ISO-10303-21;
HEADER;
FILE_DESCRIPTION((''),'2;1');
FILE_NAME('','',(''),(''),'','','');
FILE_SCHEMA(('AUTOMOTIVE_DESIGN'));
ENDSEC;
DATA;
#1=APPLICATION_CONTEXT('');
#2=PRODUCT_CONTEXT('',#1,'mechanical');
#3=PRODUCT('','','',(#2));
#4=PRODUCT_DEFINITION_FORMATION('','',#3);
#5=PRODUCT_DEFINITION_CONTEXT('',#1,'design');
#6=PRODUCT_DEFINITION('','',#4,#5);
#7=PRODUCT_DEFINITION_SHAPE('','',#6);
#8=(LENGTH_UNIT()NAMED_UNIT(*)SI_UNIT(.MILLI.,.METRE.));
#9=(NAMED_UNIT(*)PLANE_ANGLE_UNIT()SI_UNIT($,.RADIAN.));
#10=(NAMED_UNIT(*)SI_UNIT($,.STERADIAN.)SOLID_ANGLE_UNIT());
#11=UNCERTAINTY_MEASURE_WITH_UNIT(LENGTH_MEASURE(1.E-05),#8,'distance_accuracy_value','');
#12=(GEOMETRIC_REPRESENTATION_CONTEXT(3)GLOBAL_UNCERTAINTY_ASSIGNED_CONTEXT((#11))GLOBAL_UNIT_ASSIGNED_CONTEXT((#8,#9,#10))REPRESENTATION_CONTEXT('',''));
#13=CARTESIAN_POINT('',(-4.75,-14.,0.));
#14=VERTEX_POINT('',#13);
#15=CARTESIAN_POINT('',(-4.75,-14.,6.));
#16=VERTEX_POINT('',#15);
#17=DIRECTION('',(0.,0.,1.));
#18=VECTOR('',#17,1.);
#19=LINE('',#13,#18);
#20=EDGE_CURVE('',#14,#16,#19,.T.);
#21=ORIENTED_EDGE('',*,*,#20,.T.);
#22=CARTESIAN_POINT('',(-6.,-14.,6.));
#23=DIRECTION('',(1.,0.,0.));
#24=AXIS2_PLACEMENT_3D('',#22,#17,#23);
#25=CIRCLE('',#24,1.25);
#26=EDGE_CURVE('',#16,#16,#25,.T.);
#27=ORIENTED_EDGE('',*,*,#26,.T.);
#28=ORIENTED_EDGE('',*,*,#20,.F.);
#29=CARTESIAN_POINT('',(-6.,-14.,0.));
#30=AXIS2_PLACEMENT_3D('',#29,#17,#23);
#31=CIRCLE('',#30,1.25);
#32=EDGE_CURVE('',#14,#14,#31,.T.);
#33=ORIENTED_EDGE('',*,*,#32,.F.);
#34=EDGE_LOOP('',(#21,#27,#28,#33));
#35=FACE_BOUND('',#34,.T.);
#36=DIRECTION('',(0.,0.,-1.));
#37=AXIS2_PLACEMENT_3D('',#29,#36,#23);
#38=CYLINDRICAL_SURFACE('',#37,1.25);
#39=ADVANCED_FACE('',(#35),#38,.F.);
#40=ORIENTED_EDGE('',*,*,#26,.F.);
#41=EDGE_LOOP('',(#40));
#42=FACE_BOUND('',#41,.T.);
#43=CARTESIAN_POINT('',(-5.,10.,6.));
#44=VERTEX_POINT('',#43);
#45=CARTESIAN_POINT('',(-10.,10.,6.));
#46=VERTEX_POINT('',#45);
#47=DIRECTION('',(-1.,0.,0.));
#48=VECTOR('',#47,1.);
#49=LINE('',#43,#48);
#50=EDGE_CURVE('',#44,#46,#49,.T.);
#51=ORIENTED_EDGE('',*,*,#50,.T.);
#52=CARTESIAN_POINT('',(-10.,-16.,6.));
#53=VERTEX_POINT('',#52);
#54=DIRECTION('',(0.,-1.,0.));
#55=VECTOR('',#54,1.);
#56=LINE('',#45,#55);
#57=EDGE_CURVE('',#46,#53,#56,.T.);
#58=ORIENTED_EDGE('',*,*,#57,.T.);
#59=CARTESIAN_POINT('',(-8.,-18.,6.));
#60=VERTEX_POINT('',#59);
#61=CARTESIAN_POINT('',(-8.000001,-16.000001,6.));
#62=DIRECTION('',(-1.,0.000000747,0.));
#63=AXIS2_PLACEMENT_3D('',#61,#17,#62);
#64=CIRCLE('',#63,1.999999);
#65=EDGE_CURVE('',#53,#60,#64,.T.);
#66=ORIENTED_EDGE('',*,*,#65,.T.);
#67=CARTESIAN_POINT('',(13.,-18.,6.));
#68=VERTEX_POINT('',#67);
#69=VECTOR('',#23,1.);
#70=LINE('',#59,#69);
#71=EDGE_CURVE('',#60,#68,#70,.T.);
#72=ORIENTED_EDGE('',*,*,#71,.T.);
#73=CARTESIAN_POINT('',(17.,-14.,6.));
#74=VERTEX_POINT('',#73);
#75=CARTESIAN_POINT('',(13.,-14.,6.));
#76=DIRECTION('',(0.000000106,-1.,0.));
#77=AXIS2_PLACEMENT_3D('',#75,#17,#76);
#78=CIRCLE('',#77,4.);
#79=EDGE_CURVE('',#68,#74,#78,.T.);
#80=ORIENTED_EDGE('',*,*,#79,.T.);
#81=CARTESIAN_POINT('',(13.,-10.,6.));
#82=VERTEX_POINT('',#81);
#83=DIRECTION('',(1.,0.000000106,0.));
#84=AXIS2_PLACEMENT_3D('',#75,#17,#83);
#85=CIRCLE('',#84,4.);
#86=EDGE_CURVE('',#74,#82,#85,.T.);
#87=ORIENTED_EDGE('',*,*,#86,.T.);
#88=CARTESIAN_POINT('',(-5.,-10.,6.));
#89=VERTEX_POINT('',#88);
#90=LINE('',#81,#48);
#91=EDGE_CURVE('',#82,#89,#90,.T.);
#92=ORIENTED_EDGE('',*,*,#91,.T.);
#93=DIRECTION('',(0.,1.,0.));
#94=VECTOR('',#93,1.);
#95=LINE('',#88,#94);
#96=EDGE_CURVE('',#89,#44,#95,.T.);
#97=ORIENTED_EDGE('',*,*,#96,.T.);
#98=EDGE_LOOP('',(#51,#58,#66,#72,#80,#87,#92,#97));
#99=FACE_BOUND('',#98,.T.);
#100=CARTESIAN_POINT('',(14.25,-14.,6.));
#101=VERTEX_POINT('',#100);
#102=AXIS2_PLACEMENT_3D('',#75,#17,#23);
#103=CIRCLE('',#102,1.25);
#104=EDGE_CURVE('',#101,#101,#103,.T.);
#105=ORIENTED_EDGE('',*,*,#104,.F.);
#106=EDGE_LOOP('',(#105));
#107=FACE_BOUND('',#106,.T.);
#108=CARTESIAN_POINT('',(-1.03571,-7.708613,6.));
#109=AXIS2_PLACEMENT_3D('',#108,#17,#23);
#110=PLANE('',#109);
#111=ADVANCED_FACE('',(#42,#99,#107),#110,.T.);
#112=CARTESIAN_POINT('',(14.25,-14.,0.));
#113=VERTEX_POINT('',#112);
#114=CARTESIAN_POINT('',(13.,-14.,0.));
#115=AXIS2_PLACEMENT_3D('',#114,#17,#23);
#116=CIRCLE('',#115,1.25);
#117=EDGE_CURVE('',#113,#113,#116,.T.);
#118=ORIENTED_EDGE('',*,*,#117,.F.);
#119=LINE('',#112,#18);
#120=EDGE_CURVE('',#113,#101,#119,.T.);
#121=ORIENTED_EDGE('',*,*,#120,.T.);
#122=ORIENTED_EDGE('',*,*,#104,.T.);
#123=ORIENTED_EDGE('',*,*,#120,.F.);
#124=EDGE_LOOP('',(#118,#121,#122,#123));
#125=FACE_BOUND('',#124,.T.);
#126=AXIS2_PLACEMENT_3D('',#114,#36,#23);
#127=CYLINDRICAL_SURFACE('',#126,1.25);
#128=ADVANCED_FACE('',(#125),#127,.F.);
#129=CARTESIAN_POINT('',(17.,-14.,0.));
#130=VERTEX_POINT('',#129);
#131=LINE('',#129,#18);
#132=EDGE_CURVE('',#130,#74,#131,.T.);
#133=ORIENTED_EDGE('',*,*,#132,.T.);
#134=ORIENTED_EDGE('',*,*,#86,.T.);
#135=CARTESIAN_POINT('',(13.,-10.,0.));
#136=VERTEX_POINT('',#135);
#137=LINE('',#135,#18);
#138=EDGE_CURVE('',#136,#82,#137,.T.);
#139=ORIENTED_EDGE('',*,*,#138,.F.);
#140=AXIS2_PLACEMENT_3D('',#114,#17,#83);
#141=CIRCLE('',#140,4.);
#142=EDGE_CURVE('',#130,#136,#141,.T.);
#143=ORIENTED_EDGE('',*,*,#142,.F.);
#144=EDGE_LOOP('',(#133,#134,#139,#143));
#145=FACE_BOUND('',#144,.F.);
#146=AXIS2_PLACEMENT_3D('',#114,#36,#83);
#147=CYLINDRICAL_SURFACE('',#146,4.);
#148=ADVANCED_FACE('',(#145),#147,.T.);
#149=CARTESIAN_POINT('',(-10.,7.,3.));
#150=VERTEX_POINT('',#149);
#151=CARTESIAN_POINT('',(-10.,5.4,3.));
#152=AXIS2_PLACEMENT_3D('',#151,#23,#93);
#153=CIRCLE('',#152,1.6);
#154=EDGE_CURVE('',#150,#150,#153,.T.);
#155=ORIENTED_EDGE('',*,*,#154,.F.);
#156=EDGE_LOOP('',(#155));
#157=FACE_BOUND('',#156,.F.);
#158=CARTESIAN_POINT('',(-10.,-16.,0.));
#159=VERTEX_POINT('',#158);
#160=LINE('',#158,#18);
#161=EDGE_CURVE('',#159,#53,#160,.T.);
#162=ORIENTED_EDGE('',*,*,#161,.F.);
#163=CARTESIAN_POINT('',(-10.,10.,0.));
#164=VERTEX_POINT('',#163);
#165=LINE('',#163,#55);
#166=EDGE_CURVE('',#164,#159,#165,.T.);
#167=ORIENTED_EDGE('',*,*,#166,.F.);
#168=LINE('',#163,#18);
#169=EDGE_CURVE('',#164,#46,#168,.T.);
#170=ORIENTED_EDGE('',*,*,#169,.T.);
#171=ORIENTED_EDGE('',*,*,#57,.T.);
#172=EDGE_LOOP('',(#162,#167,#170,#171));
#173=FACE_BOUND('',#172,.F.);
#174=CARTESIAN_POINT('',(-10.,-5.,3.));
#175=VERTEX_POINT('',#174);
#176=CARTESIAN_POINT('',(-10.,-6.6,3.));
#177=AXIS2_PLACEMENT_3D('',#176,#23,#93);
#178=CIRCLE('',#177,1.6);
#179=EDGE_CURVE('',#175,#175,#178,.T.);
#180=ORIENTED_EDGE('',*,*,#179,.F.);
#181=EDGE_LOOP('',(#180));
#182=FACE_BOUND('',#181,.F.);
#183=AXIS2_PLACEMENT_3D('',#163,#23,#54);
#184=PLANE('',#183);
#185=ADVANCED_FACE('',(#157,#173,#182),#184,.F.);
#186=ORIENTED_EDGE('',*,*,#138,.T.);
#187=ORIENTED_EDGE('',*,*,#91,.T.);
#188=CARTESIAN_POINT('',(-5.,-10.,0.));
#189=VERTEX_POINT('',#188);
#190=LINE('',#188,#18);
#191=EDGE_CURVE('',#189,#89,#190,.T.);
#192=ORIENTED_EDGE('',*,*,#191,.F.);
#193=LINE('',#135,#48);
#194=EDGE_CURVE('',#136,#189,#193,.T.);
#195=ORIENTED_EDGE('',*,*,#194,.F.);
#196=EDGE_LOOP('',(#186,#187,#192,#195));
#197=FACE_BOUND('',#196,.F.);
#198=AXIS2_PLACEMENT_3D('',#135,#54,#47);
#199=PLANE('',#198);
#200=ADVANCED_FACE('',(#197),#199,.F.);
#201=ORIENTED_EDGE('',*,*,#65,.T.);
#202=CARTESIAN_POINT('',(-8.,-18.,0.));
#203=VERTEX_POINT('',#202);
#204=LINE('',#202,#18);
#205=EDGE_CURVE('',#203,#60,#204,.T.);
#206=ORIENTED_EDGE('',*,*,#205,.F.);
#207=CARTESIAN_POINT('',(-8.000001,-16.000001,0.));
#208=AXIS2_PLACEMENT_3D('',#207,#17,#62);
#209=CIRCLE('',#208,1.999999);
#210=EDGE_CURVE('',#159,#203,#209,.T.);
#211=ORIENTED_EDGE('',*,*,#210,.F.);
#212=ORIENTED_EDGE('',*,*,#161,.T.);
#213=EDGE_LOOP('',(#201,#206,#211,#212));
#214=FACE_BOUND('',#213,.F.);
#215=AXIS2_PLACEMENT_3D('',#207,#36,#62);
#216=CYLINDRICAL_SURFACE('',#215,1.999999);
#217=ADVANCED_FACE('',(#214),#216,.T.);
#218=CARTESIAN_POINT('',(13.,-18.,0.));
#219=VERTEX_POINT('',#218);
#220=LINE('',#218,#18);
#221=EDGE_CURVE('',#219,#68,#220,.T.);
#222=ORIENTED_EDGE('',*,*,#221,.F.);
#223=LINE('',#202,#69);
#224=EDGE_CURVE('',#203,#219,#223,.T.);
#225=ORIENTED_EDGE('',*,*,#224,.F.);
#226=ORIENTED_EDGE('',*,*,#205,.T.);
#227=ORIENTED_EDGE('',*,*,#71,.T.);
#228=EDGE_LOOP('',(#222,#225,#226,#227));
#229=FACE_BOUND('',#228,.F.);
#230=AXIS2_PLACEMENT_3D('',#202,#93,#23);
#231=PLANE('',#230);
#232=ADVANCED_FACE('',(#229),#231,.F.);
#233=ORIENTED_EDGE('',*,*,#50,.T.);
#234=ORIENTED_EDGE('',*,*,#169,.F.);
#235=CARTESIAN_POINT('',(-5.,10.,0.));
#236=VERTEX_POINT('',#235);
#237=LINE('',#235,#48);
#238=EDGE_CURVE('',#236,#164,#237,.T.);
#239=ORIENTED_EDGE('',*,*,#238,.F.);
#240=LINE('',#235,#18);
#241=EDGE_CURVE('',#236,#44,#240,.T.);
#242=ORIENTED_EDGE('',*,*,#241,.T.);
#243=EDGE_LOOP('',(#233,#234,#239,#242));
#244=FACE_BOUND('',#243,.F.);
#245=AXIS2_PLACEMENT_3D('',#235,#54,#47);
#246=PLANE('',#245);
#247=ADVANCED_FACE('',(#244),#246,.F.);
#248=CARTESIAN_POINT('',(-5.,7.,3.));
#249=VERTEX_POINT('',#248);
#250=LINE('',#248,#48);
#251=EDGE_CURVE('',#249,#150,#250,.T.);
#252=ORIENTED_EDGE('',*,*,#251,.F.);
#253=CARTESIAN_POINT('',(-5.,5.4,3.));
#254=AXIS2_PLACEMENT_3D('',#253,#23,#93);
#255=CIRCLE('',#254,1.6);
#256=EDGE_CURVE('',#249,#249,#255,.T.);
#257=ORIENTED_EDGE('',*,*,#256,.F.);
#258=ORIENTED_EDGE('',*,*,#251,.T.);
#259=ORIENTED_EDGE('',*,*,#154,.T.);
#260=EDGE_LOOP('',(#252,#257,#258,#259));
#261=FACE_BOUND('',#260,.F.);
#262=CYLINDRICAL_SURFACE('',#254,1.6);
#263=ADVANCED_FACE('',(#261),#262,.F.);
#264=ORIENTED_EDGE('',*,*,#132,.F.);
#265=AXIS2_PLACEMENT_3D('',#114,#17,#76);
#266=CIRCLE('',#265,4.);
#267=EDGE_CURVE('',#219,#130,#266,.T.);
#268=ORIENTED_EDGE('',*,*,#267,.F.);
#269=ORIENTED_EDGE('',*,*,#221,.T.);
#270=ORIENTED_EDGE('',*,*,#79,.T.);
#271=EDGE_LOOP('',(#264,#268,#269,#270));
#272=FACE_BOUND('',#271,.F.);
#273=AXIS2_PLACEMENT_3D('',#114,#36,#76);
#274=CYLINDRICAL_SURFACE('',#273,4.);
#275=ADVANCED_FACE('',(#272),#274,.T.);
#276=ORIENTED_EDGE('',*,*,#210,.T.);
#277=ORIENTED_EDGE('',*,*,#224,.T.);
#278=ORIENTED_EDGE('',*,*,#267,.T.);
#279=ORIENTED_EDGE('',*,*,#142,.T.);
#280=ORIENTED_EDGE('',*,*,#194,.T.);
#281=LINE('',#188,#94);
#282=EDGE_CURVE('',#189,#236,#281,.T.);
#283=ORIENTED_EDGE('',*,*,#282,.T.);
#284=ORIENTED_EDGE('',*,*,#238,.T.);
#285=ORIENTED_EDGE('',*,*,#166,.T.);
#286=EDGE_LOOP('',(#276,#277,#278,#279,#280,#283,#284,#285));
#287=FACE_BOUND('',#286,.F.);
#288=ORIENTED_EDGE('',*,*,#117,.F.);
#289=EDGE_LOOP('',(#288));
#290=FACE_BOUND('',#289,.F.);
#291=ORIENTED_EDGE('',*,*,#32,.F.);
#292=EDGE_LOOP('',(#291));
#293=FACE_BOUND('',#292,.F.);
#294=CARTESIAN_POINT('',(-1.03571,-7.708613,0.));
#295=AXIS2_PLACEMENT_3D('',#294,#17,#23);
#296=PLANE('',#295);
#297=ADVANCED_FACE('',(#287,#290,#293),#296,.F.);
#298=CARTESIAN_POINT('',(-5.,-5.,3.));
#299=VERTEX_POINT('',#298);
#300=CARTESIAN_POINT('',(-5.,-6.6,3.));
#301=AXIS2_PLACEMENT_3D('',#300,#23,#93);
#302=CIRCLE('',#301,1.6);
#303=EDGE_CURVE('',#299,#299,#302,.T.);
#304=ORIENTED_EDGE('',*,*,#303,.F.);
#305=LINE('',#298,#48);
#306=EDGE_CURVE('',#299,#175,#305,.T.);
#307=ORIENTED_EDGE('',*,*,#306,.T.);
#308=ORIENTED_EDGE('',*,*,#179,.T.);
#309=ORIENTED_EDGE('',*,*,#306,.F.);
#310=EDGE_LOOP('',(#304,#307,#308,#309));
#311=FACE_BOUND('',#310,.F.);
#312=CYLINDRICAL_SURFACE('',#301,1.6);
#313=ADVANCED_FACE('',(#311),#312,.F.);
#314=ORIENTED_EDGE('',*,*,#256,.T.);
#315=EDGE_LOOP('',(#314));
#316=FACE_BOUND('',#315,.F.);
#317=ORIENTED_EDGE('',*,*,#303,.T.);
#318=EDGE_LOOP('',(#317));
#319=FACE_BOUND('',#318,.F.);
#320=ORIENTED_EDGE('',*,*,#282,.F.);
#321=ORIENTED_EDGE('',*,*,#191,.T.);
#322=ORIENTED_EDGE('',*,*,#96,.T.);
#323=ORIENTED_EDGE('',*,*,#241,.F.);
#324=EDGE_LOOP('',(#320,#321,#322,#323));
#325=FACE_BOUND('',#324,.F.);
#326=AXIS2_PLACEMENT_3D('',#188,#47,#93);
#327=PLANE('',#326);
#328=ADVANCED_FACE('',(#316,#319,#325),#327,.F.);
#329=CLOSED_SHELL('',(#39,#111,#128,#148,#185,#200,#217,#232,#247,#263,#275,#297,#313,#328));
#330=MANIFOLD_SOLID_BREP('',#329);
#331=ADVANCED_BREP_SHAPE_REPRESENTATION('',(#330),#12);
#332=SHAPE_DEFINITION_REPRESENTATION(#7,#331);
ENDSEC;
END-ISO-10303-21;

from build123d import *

# Parameters (mm, degrees)
F0_R     = 1.25
F1_DEPTH = 6
F2_R     = 1.6
F3_DEPTH = 5.001


with BuildPart() as f1:
    # F0 (on Top) → F1 (new body)
    with BuildSketch(Plane.XY):
        with BuildLine():
            Line((-2, -10), (-5, -10))
            Line((-5, -10), (-5, 10))
            Line((-5, 10), (-10, 10))
            Line((-10, 10), (-10, -10))
            Line((-10, -10), (-10, -16))
            ThreePointArc((-10, -16), (-9.414214, -17.414214), (-8, -18))
            Line((-8, -18), (2, -18))
            Line((2, -18), (13, -18))
            ThreePointArc((13, -18), (15.828427, -16.828427), (17, -14))
            ThreePointArc((17, -14), (15.828427, -11.171573), (13, -10))
            Line((13, -10), (2, -10))
            Line((2, -10), (-2, -10))
        make_face()
        with Locations((-6, -14)):
            Circle(F0_R, mode=Mode.SUBTRACT)
        with Locations((13, -14)):
            Circle(F0_R, mode=Mode.SUBTRACT)
    extrude(amount=F1_DEPTH)

    # F2 (on face) → F3 (cut, through all)
    with BuildSketch(Plane.YZ.offset(-5)):
        with Locations((5.4, 3)):
            Circle(F2_R)
        with Locations((-6.6, 3)):
            Circle(F2_R)
    extrude(amount=-F3_DEPTH, mode=Mode.SUBTRACT)


solid = f1.part
